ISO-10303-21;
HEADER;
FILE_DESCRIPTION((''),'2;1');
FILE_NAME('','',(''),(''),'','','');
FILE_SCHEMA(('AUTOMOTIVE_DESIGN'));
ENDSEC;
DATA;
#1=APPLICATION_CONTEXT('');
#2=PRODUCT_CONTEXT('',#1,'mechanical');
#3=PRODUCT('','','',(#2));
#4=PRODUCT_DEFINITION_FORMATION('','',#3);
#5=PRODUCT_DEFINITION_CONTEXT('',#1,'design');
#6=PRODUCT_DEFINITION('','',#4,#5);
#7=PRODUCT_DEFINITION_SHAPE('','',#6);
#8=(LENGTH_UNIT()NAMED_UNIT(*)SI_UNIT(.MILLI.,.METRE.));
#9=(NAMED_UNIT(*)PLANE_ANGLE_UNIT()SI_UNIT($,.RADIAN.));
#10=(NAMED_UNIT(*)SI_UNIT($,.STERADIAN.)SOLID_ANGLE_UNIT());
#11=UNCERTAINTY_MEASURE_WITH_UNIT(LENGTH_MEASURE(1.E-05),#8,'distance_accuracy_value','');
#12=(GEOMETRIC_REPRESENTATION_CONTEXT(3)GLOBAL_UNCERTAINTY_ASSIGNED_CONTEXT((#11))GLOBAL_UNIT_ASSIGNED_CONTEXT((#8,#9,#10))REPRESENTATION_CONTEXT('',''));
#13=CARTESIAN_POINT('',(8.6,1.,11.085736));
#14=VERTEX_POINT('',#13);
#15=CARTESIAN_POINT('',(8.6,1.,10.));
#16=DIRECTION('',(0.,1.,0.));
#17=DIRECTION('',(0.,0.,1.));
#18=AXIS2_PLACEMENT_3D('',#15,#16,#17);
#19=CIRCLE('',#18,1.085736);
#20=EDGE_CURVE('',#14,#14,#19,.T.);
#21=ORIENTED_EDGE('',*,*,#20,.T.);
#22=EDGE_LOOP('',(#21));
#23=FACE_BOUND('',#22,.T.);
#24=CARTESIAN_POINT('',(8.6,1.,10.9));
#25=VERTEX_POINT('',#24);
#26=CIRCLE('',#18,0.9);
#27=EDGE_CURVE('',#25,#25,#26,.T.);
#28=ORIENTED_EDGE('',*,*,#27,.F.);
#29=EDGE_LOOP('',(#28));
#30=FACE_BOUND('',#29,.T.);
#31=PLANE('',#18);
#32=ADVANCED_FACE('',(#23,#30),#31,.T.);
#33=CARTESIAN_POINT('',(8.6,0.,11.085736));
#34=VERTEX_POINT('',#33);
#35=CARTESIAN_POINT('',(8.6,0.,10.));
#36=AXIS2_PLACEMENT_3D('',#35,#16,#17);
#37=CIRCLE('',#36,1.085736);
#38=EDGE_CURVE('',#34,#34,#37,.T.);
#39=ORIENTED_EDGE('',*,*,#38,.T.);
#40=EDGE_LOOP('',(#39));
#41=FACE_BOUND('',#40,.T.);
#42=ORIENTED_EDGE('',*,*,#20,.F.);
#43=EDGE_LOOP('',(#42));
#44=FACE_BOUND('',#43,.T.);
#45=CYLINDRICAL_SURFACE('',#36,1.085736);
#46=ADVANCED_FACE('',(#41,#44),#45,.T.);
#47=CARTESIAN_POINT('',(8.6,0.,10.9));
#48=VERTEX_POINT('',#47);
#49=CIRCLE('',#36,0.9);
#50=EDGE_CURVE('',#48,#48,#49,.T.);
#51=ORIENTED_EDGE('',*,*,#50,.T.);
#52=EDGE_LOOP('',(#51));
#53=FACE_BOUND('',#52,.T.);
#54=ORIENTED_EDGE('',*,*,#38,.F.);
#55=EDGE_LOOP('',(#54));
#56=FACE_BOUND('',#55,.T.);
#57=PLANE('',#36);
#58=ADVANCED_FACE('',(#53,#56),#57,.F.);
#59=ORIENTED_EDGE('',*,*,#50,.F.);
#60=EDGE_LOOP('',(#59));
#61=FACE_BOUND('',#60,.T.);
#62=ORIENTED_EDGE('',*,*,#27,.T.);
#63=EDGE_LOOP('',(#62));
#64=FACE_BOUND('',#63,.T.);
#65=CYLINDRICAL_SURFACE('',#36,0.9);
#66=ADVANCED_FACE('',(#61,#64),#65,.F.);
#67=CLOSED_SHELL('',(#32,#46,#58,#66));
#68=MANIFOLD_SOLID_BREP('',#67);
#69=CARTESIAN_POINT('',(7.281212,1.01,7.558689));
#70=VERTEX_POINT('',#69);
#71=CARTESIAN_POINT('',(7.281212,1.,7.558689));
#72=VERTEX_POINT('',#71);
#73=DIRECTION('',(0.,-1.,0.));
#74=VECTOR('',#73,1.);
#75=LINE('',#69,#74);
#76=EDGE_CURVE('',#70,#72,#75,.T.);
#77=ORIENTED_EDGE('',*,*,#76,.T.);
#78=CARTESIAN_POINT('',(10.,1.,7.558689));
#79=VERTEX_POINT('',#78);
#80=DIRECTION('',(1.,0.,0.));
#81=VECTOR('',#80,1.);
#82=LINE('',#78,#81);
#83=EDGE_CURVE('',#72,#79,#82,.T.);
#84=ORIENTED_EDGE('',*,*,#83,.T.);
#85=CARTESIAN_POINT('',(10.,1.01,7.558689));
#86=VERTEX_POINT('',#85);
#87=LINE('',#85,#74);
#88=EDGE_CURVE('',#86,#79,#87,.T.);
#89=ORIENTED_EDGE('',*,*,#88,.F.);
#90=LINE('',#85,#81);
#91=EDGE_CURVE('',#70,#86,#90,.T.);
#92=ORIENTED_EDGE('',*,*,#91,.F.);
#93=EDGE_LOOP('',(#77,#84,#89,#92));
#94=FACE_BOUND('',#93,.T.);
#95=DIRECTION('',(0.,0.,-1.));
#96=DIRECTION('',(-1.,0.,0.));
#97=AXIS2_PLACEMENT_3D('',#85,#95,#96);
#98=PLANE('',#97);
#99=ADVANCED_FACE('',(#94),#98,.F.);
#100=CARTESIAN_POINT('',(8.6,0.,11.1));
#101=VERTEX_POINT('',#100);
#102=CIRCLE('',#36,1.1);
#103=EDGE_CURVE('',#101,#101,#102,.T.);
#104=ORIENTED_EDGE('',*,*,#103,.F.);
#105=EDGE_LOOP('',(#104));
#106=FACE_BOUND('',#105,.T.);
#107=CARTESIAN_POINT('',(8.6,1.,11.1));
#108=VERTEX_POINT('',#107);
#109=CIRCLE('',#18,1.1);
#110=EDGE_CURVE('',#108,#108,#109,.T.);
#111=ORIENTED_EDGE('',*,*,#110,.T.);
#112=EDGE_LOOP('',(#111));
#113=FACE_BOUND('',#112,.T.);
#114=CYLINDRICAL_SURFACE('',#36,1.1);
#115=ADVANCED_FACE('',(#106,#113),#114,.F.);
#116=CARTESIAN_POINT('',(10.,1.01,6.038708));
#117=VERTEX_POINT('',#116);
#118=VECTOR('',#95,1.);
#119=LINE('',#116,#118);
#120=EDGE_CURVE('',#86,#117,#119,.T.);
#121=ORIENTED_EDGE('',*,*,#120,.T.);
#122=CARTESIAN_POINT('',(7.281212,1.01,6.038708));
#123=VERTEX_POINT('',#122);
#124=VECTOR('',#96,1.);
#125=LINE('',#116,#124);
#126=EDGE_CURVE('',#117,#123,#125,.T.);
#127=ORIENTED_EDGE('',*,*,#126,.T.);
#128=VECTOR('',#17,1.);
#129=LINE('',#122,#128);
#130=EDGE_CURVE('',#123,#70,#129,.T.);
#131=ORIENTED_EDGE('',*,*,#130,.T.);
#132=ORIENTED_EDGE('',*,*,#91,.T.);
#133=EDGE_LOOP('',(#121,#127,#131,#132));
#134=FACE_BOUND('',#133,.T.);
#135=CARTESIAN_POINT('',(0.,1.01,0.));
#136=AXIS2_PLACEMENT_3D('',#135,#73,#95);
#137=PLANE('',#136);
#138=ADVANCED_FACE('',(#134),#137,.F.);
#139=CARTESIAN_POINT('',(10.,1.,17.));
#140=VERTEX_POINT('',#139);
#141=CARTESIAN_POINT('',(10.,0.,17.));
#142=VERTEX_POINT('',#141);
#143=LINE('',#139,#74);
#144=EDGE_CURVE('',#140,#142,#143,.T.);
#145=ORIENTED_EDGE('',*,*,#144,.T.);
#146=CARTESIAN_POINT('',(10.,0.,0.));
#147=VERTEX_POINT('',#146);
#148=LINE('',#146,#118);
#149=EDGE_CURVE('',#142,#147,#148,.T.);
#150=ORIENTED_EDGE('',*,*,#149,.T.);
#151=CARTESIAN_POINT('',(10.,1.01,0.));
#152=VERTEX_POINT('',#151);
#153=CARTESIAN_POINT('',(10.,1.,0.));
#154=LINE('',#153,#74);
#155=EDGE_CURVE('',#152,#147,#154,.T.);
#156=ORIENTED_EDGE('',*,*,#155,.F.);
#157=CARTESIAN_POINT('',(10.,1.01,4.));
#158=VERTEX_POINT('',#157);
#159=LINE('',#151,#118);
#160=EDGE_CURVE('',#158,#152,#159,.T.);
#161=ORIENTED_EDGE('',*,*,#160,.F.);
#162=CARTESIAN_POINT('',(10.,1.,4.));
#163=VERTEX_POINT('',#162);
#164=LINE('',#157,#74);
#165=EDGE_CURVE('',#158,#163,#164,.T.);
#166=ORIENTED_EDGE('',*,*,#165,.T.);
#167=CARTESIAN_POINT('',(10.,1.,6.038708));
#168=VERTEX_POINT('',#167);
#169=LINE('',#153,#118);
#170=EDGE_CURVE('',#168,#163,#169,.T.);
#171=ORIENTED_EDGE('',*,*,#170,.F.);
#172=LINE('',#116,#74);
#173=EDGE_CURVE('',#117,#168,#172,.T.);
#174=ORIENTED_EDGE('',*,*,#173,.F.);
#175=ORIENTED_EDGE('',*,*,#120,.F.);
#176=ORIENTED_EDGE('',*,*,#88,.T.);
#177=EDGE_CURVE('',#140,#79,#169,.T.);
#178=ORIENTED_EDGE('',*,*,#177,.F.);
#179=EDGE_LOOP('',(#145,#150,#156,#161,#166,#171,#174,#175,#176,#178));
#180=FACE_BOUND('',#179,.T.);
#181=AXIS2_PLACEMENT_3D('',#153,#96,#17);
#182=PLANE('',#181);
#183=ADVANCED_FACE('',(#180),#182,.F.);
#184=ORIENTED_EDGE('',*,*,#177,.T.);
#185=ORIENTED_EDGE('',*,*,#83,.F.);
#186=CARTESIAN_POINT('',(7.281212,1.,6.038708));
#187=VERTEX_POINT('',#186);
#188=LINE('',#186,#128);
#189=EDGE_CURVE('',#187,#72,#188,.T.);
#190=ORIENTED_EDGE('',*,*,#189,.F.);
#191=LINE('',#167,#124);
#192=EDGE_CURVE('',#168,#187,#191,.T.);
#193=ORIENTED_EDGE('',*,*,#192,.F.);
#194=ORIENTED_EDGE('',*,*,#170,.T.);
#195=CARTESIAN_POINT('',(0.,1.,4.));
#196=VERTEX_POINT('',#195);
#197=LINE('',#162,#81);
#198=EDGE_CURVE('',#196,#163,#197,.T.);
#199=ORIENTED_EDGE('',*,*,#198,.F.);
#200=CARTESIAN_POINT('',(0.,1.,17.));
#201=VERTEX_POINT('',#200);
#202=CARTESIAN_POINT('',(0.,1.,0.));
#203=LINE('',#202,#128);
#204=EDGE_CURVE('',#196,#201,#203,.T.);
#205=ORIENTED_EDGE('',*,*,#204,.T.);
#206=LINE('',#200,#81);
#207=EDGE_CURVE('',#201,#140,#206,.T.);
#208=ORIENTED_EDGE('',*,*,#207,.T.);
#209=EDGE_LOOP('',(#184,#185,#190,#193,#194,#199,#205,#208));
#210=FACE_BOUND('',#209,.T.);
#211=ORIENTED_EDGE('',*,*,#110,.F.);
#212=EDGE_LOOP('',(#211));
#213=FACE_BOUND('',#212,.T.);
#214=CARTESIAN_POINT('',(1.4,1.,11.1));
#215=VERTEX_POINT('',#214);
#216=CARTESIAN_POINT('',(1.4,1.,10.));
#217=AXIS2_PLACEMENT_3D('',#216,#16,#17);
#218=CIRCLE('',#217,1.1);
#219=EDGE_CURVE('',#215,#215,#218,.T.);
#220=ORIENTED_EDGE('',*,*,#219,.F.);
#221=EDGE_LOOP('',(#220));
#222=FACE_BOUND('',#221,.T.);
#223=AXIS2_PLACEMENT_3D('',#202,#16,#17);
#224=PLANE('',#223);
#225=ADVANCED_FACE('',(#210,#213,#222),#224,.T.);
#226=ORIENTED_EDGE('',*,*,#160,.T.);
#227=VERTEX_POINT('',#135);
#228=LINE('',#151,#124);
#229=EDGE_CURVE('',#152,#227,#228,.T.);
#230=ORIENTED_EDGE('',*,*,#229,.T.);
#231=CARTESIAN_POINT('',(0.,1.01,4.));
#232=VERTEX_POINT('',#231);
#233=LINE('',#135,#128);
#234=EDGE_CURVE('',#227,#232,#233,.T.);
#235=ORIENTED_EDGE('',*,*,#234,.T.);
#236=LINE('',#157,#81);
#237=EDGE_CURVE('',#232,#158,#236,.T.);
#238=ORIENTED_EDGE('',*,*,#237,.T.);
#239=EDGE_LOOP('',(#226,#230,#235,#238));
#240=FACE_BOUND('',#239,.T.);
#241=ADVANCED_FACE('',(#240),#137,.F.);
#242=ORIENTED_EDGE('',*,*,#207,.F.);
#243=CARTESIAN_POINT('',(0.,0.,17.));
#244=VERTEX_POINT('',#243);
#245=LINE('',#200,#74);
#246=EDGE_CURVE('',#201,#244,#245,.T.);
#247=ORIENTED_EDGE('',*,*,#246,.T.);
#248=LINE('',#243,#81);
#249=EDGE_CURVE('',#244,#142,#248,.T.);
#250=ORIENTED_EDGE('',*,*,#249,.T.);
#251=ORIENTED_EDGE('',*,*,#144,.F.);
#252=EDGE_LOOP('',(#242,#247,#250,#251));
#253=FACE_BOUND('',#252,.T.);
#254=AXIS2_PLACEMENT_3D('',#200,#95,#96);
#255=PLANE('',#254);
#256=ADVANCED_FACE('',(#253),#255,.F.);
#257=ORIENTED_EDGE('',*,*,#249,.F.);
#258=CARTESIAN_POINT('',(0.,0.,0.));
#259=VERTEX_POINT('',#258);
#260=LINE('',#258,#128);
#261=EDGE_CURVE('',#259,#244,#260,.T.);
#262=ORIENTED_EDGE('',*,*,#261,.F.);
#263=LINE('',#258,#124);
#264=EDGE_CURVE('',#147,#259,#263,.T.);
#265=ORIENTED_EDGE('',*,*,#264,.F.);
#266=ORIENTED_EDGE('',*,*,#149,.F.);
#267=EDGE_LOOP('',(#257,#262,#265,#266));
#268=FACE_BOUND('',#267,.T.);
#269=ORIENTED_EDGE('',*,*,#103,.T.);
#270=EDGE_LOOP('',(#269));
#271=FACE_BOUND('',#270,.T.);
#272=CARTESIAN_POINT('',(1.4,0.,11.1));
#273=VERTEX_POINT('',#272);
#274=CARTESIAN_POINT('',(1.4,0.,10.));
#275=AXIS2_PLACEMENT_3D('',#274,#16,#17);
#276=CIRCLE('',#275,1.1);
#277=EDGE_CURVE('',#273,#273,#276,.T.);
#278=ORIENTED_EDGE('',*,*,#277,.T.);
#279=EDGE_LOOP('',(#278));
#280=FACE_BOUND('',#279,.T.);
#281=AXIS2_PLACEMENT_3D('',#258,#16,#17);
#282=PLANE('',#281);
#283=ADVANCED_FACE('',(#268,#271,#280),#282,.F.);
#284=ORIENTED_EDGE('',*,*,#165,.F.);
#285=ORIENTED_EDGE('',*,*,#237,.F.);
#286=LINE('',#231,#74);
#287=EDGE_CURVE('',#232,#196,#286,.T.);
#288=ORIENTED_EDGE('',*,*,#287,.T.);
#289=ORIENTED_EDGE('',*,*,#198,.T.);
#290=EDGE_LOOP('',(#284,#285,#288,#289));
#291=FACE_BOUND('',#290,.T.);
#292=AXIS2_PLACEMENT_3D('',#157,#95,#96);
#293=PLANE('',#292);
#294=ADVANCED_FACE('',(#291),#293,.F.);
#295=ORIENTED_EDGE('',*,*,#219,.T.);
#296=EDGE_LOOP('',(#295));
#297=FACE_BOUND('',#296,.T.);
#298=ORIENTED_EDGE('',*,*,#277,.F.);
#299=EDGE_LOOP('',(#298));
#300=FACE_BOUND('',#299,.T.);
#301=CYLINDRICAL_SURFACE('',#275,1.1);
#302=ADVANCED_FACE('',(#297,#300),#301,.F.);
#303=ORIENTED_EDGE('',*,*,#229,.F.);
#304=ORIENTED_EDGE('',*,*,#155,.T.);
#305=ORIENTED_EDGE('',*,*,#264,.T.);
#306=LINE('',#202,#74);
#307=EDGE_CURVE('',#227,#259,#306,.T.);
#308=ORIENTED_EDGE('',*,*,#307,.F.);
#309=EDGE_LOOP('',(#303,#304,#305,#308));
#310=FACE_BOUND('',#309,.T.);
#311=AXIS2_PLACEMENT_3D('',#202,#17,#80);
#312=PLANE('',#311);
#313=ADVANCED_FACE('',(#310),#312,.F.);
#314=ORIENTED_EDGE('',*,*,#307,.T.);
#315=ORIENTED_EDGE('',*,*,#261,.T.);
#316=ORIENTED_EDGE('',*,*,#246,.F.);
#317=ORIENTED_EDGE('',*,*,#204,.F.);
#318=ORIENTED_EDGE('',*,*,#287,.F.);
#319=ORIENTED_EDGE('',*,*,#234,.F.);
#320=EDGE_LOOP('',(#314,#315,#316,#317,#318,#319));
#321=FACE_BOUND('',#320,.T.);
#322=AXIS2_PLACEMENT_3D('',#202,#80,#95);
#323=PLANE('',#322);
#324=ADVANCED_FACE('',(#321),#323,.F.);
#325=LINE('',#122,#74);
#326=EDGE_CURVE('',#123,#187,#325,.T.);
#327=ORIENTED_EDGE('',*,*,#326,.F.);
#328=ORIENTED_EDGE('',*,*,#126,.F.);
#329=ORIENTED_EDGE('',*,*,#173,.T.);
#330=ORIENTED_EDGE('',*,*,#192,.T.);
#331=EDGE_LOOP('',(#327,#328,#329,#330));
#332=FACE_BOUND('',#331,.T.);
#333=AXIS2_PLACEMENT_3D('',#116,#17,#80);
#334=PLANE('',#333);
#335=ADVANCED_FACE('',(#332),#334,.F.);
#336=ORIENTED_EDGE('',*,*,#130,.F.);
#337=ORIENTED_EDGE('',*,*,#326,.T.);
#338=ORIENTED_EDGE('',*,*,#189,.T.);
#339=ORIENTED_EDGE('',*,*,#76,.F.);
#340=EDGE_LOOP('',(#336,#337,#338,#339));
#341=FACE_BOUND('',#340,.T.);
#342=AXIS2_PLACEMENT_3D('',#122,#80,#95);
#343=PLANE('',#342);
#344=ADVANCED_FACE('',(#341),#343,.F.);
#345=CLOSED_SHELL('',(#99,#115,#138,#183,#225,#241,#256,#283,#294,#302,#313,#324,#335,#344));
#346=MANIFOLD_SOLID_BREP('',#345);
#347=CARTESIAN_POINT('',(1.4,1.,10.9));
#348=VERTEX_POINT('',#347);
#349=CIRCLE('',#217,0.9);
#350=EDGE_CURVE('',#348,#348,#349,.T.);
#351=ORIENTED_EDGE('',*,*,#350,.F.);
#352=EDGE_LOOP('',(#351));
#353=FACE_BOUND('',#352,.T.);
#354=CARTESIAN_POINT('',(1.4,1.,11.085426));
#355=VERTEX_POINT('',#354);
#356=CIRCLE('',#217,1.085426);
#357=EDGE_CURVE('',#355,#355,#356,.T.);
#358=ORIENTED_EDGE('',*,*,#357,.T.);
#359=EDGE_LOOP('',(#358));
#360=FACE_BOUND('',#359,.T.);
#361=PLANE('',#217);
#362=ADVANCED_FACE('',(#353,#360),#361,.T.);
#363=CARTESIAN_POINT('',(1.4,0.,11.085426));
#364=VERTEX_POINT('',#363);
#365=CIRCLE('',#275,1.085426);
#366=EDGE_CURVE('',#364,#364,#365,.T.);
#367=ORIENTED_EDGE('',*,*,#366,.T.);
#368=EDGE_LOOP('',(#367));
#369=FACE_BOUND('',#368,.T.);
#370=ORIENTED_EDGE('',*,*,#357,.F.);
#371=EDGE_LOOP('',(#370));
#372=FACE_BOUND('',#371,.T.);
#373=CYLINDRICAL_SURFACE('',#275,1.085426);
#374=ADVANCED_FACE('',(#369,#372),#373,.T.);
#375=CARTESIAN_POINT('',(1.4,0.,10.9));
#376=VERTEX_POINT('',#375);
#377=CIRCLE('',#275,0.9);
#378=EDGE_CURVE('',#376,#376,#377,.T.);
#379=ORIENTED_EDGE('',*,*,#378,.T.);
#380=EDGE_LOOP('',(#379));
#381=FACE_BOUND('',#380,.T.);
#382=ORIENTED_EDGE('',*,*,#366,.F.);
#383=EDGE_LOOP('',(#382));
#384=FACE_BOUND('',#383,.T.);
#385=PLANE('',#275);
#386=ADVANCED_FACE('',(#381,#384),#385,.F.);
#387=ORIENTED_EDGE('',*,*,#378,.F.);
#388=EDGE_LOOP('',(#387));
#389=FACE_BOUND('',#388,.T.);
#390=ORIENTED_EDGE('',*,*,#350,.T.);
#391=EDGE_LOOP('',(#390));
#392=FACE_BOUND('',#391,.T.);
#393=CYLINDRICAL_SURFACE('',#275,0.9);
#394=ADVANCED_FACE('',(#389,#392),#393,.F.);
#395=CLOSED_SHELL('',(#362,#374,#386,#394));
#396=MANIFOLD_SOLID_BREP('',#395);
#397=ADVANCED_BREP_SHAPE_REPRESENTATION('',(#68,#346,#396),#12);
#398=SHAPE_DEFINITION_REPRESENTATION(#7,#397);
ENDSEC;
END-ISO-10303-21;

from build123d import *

# Parameters (mm, degrees)
SKETCH_3_W          = 10
SKETCH_3_H          = 17
EXTRUDE_2_DEPTH     = 1
SKETCH_4_R          = 1.1
CUT_EXTRUDE_1_DEPTH = 1
SKETCH_7_R          = 1.085736063
SKETCH_7_R_2        = 0.9
EXTRUDE_3_DEPTH     = 1
SKETCH_7_R_3        = 1.085426327
EXTRUDE_3_2_DEPTH   = 1
SKETCH_8_W          = 10
SKETCH_8_H          = 4
EXTRUDE_4_DEPTH     = 0.01
SKETCH_9_W          = 2.718788434
SKETCH_9_H          = 1.519981135
EXTRUDE_5_DEPTH     = 0.01


with BuildPart() as part:
    # 草图3 → 凸台-拉伸2 (new body)
    with BuildSketch(Plane(origin=(0, 0, 0), x_dir=(1, 0, 0), z_dir=(0, 1, 0))):
        with Locations((5, -8.5)):
            Rectangle(SKETCH_3_W, SKETCH_3_H)
    extrude(amount=EXTRUDE_2_DEPTH)

    # 草图4 → 切除-拉伸1 (cut)
    with BuildSketch(Plane(origin=(0, 1, 0), x_dir=(1, 0, 0), z_dir=(0, 1, 0))):
        with Locations((1.4, -10)):
            Circle(SKETCH_4_R)
        with Locations((8.6, -10)):
            Circle(SKETCH_4_R)
    extrude(amount=-CUT_EXTRUDE_1_DEPTH, mode=Mode.SUBTRACT)

    # 草图8 → 凸台-拉伸4 (add)
    with BuildSketch(Plane(origin=(0, 1, 0), x_dir=(1, 0, 0), z_dir=(0, 1, 0))):
        with Locations((5, -2)):
            Rectangle(SKETCH_8_W, SKETCH_8_H)
    extrude(amount=EXTRUDE_4_DEPTH)

    # 草图9 → 凸台-拉伸5 (add)
    with BuildSketch(Plane(origin=(0, 1, 0), x_dir=(1, 0, 0), z_dir=(0, 1, 0))):
        with Locations((8.640605783, -6.798698645)):
            Rectangle(SKETCH_9_W, SKETCH_9_H)
    extrude(amount=EXTRUDE_5_DEPTH)


with BuildPart() as body_2:
    # 草图7 → 凸台-拉伸3 (new body)
    with BuildSketch(Plane(origin=(0, 1, 0), x_dir=(1, 0, 0), z_dir=(0, 1, 0))):
        with Locations((8.6, -10)):
            Circle(SKETCH_7_R)
        with Locations((8.6, -10)):
            Circle(SKETCH_7_R_2, mode=Mode.SUBTRACT)
    extrude(amount=-EXTRUDE_3_DEPTH)


with BuildPart() as body_3:
    # 草图7 → Extrude 3 2 (new body)
    with BuildSketch(Plane(origin=(0, 1, 0), x_dir=(1, 0, 0), z_dir=(0, 1, 0))):
        with Locations((1.4, -10)):
            Circle(SKETCH_7_R_3)
        with Locations((1.4, -10)):
            Circle(SKETCH_7_R_2, mode=Mode.SUBTRACT)
    extrude(amount=-EXTRUDE_3_2_DEPTH)


solid = Compound([part.part, body_2.part, body_3.part])
